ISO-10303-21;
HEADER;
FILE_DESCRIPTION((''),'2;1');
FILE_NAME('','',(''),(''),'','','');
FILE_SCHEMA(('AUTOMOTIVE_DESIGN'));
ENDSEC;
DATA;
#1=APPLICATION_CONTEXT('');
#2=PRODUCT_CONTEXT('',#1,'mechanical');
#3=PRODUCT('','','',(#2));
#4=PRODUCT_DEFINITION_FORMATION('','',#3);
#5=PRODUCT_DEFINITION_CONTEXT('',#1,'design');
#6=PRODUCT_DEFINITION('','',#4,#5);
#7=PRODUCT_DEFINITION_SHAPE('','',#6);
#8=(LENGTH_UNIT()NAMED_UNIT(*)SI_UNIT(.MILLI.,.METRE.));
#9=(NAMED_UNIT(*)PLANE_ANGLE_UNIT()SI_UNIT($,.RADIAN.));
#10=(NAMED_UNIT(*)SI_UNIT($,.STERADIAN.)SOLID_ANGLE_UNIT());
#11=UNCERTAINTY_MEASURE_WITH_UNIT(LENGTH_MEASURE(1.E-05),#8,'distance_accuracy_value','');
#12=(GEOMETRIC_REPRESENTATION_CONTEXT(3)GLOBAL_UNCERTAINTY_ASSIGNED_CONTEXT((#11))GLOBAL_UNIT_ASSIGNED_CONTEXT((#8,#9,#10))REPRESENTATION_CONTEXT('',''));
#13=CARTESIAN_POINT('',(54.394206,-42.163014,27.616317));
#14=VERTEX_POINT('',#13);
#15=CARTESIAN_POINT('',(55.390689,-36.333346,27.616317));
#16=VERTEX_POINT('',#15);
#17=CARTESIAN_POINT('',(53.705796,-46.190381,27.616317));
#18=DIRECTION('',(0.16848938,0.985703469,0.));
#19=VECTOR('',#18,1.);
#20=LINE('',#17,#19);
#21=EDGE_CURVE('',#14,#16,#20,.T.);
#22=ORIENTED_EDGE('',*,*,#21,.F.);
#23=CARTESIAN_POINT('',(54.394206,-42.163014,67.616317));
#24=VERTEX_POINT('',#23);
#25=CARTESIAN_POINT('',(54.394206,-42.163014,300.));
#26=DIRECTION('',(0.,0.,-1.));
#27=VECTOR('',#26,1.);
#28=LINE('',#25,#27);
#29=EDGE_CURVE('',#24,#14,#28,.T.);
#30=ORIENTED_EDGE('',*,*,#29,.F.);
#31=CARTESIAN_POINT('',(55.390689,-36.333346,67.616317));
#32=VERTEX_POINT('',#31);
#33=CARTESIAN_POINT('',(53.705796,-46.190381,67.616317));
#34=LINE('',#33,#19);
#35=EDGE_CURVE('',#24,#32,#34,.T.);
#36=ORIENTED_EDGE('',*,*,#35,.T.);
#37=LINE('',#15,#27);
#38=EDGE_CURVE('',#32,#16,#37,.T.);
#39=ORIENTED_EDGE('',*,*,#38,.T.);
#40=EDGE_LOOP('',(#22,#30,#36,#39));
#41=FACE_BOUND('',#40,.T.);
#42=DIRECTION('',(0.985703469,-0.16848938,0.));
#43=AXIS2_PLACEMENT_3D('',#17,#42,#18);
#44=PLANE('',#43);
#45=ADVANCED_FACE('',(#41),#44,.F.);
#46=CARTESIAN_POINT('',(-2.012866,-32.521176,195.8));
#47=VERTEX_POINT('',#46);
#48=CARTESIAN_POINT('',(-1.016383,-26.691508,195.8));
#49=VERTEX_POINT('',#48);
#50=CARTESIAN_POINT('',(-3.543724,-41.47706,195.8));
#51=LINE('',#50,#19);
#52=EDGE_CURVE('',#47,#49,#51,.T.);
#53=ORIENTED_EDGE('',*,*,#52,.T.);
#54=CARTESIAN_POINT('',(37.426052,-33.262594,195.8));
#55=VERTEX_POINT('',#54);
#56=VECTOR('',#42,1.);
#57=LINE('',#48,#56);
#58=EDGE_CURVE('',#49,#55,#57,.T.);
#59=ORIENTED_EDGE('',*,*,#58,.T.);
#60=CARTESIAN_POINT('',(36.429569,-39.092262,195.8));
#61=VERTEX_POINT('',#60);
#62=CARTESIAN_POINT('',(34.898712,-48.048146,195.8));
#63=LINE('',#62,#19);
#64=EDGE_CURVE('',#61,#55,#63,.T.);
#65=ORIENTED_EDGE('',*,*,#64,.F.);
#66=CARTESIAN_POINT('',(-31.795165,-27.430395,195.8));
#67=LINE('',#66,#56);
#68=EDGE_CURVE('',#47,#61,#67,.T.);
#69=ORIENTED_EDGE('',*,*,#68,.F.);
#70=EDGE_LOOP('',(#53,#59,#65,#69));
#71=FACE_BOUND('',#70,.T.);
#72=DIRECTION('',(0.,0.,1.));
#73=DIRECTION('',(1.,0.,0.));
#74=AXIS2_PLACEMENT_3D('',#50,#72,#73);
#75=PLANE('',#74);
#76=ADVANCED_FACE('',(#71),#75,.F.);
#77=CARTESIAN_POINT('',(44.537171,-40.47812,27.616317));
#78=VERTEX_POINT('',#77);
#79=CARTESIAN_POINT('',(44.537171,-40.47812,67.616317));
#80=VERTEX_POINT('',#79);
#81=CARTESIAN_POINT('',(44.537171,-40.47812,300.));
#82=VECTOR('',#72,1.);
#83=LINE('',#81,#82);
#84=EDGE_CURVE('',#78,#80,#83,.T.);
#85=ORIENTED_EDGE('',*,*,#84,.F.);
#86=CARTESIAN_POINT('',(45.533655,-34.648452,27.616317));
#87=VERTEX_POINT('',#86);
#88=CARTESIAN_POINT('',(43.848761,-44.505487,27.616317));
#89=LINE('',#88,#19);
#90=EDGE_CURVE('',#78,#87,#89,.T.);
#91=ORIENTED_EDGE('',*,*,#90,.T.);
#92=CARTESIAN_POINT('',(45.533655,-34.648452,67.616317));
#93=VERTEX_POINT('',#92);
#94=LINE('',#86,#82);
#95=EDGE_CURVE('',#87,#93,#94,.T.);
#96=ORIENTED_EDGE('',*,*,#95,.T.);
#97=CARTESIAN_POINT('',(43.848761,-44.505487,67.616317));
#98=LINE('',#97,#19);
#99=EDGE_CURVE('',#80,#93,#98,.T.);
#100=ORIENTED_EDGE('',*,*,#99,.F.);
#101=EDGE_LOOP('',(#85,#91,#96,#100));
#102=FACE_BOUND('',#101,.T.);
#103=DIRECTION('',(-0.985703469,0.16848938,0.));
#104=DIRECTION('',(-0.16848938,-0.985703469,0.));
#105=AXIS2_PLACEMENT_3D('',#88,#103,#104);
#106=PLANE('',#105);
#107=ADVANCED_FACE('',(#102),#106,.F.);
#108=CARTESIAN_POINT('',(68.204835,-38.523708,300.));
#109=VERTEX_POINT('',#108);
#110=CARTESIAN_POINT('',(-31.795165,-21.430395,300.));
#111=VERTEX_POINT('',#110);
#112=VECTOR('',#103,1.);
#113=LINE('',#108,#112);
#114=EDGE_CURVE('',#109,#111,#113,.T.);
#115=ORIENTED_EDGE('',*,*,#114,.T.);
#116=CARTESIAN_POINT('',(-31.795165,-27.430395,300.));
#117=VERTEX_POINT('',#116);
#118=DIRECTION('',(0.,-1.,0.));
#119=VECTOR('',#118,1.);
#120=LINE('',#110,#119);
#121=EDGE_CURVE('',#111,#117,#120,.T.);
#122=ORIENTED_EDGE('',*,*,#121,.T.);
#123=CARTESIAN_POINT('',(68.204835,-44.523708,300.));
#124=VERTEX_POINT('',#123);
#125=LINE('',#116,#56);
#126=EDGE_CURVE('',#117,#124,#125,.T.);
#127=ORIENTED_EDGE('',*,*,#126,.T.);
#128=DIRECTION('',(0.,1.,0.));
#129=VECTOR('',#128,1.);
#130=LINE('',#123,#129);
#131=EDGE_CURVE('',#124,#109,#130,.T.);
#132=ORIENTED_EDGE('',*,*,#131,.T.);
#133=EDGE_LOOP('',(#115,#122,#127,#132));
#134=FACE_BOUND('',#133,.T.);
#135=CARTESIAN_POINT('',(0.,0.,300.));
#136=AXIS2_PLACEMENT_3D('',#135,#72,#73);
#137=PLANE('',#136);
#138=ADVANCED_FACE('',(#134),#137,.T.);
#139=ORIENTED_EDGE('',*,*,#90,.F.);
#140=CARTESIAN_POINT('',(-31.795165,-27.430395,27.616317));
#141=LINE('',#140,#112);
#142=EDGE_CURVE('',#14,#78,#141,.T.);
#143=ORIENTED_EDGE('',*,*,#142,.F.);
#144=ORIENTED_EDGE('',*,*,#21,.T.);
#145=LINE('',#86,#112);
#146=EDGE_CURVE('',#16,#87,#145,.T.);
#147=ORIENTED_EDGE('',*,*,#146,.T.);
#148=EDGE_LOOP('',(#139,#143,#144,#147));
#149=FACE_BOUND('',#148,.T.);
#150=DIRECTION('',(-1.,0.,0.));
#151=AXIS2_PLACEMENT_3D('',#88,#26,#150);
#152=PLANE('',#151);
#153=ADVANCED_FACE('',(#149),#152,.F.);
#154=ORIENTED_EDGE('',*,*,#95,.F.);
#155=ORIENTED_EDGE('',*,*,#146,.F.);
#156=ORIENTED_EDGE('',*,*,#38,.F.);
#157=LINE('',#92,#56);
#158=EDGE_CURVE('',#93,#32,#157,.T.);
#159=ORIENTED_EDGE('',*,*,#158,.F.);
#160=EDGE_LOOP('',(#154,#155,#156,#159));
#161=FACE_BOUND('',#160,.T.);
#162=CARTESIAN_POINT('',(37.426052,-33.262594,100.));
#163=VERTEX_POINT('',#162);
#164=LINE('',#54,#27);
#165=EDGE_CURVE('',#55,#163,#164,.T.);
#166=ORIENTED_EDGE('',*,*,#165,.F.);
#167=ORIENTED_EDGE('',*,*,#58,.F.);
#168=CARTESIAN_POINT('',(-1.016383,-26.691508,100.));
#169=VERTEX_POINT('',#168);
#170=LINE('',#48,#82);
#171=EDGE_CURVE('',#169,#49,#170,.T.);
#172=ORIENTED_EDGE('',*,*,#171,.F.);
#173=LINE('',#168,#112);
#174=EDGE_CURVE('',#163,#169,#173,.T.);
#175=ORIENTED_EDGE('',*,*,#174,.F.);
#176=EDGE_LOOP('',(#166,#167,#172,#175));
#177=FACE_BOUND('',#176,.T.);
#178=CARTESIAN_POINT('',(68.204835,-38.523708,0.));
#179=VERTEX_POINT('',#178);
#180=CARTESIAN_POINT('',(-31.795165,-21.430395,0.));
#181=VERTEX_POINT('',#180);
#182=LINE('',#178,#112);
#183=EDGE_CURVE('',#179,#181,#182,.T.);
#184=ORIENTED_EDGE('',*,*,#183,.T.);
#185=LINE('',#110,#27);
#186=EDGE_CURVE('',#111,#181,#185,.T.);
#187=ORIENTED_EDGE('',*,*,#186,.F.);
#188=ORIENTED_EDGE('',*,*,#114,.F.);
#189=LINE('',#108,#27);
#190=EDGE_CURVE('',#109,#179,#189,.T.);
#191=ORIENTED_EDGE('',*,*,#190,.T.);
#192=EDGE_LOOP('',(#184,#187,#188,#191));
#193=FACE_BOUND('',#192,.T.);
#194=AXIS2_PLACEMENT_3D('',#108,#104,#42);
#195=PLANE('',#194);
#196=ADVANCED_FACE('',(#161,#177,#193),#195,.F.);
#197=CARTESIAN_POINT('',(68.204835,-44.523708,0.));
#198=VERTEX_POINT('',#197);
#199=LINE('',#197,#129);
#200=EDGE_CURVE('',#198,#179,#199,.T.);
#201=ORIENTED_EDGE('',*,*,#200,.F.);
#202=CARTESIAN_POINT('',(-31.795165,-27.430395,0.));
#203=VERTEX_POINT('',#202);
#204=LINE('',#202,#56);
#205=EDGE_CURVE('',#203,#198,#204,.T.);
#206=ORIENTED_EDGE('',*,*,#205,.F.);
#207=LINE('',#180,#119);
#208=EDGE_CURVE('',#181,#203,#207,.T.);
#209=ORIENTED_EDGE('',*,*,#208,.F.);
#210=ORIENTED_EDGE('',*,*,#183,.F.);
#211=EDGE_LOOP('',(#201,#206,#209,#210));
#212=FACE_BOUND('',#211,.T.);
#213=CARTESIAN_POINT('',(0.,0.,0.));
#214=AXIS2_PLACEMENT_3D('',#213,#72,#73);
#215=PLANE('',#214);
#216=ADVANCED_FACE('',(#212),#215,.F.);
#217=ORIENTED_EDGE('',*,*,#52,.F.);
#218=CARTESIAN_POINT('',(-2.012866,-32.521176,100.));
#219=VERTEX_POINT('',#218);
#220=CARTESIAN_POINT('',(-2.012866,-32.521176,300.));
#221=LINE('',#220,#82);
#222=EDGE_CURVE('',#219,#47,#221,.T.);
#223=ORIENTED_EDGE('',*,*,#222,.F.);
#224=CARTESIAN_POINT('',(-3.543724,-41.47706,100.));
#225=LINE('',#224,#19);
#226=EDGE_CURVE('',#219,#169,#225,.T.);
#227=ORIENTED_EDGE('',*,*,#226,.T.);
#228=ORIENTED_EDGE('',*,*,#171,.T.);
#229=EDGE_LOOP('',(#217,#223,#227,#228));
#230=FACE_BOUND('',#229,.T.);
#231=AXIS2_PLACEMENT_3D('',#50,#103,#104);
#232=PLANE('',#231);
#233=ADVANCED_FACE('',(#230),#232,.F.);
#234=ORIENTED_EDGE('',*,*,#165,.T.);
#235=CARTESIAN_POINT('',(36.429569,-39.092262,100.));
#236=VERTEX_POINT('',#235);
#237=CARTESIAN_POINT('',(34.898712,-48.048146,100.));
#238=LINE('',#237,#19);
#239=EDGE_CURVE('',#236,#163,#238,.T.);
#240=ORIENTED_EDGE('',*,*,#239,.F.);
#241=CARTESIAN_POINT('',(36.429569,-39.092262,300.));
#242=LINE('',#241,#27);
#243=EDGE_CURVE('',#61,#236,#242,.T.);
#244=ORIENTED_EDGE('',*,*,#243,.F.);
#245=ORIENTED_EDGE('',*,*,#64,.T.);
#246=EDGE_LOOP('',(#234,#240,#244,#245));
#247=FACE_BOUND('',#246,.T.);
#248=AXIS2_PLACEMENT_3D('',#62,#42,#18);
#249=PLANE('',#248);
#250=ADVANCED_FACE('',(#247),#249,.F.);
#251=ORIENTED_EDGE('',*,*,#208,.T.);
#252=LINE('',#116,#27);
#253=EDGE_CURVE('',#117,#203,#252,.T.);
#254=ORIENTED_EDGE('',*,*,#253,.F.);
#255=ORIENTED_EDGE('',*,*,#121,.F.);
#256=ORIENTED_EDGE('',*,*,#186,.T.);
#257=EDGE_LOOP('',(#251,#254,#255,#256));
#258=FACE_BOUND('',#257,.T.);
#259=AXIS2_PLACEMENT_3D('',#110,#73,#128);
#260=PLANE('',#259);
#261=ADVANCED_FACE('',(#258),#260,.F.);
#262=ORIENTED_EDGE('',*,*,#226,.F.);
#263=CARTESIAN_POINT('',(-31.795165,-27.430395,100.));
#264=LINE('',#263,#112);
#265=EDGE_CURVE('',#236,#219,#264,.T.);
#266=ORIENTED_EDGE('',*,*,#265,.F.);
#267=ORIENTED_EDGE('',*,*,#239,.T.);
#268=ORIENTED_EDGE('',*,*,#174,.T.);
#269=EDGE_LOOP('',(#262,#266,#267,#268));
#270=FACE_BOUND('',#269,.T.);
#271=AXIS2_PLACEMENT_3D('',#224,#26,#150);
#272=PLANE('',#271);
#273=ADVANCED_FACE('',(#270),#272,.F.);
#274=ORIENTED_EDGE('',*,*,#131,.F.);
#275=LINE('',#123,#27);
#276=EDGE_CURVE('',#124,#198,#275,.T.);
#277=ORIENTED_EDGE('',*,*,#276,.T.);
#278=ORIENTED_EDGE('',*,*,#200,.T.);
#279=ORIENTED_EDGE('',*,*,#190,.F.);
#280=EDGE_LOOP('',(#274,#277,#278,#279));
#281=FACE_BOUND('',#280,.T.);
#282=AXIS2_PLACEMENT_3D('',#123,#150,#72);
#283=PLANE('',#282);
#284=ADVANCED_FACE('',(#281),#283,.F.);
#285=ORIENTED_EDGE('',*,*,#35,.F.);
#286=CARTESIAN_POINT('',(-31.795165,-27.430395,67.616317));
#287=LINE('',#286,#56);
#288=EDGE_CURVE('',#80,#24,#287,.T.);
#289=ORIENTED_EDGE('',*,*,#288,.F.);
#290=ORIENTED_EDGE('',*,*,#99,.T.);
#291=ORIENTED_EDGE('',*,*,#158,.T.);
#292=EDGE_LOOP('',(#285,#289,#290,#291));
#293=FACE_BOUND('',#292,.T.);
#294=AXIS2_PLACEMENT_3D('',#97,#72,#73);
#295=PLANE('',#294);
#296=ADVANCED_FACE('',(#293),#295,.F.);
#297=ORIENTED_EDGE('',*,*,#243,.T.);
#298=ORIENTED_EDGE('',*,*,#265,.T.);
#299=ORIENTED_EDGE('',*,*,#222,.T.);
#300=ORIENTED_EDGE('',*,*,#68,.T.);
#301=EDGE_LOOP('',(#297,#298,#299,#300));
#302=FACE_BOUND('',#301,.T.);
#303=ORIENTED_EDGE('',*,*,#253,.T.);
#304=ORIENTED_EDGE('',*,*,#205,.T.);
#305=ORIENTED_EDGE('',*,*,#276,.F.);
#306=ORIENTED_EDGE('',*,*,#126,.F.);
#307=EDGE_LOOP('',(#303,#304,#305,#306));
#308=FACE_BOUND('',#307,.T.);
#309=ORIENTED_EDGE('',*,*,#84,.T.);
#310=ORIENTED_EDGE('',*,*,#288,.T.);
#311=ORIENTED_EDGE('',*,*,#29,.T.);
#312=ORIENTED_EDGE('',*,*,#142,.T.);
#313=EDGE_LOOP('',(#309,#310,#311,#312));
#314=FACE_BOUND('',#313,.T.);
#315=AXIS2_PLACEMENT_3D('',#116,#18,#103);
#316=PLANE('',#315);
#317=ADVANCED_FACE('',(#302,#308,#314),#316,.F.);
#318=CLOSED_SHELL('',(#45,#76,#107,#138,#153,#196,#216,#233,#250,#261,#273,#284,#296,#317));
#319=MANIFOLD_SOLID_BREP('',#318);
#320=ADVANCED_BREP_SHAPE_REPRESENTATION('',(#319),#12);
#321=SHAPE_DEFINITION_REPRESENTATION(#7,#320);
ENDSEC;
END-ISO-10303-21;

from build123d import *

# Parameters (mm, degrees)
BOSS_EXTRUDE1_DEPTH = 300
SKETCH3_W           = 39
SKETCH3_H           = 95.8
CUT_EXTRUDE2_DEPTH  = 15
SKETCH5_W           = 10
SKETCH5_H           = 40
CUT_EXTRUDE3_DEPTH  = 10


with BuildPart() as part:
    # Sketch2 → Boss-Extrude1 (new body)
    with BuildSketch(Plane.XY):
        Polygon((68.204834584, -44.523707756), (68.204834584, -38.523707756), (-31.795165416, -21.430394722), (-31.795165416, -27.430394722), align=None)
    extrude(amount=BOSS_EXTRUDE1_DEPTH)

    # Sketch3 → Cut-Extrude2 (cut)
    with BuildSketch(Plane(origin=(-4.461794575, -26.102573363, 0), x_dir=(0.9857034690888548, -0.1684893795649959, 0), z_dir=(0.16848937956499588, 0.9857034690888546, 0))):
        with Locations((22.995383369, -147.9)):
            Rectangle(SKETCH3_W, SKETCH3_H)
    extrude(amount=-CUT_EXTRUDE2_DEPTH, mode=Mode.SUBTRACT)

    # Sketch5 → Cut-Extrude3 (cut)
    with BuildSketch(Plane(origin=(-4.461794575, -26.102573363, 0), x_dir=(0.9857034690888548, -0.16848937956499582, 0), z_dir=(0.16848937956499585, 0.9857034690888549, 0))):
        with Locations((55.720577677, -47.61631705)):
            Rectangle(SKETCH5_W, SKETCH5_H)
    extrude(amount=-CUT_EXTRUDE3_DEPTH, mode=Mode.SUBTRACT)


solid = part.part
